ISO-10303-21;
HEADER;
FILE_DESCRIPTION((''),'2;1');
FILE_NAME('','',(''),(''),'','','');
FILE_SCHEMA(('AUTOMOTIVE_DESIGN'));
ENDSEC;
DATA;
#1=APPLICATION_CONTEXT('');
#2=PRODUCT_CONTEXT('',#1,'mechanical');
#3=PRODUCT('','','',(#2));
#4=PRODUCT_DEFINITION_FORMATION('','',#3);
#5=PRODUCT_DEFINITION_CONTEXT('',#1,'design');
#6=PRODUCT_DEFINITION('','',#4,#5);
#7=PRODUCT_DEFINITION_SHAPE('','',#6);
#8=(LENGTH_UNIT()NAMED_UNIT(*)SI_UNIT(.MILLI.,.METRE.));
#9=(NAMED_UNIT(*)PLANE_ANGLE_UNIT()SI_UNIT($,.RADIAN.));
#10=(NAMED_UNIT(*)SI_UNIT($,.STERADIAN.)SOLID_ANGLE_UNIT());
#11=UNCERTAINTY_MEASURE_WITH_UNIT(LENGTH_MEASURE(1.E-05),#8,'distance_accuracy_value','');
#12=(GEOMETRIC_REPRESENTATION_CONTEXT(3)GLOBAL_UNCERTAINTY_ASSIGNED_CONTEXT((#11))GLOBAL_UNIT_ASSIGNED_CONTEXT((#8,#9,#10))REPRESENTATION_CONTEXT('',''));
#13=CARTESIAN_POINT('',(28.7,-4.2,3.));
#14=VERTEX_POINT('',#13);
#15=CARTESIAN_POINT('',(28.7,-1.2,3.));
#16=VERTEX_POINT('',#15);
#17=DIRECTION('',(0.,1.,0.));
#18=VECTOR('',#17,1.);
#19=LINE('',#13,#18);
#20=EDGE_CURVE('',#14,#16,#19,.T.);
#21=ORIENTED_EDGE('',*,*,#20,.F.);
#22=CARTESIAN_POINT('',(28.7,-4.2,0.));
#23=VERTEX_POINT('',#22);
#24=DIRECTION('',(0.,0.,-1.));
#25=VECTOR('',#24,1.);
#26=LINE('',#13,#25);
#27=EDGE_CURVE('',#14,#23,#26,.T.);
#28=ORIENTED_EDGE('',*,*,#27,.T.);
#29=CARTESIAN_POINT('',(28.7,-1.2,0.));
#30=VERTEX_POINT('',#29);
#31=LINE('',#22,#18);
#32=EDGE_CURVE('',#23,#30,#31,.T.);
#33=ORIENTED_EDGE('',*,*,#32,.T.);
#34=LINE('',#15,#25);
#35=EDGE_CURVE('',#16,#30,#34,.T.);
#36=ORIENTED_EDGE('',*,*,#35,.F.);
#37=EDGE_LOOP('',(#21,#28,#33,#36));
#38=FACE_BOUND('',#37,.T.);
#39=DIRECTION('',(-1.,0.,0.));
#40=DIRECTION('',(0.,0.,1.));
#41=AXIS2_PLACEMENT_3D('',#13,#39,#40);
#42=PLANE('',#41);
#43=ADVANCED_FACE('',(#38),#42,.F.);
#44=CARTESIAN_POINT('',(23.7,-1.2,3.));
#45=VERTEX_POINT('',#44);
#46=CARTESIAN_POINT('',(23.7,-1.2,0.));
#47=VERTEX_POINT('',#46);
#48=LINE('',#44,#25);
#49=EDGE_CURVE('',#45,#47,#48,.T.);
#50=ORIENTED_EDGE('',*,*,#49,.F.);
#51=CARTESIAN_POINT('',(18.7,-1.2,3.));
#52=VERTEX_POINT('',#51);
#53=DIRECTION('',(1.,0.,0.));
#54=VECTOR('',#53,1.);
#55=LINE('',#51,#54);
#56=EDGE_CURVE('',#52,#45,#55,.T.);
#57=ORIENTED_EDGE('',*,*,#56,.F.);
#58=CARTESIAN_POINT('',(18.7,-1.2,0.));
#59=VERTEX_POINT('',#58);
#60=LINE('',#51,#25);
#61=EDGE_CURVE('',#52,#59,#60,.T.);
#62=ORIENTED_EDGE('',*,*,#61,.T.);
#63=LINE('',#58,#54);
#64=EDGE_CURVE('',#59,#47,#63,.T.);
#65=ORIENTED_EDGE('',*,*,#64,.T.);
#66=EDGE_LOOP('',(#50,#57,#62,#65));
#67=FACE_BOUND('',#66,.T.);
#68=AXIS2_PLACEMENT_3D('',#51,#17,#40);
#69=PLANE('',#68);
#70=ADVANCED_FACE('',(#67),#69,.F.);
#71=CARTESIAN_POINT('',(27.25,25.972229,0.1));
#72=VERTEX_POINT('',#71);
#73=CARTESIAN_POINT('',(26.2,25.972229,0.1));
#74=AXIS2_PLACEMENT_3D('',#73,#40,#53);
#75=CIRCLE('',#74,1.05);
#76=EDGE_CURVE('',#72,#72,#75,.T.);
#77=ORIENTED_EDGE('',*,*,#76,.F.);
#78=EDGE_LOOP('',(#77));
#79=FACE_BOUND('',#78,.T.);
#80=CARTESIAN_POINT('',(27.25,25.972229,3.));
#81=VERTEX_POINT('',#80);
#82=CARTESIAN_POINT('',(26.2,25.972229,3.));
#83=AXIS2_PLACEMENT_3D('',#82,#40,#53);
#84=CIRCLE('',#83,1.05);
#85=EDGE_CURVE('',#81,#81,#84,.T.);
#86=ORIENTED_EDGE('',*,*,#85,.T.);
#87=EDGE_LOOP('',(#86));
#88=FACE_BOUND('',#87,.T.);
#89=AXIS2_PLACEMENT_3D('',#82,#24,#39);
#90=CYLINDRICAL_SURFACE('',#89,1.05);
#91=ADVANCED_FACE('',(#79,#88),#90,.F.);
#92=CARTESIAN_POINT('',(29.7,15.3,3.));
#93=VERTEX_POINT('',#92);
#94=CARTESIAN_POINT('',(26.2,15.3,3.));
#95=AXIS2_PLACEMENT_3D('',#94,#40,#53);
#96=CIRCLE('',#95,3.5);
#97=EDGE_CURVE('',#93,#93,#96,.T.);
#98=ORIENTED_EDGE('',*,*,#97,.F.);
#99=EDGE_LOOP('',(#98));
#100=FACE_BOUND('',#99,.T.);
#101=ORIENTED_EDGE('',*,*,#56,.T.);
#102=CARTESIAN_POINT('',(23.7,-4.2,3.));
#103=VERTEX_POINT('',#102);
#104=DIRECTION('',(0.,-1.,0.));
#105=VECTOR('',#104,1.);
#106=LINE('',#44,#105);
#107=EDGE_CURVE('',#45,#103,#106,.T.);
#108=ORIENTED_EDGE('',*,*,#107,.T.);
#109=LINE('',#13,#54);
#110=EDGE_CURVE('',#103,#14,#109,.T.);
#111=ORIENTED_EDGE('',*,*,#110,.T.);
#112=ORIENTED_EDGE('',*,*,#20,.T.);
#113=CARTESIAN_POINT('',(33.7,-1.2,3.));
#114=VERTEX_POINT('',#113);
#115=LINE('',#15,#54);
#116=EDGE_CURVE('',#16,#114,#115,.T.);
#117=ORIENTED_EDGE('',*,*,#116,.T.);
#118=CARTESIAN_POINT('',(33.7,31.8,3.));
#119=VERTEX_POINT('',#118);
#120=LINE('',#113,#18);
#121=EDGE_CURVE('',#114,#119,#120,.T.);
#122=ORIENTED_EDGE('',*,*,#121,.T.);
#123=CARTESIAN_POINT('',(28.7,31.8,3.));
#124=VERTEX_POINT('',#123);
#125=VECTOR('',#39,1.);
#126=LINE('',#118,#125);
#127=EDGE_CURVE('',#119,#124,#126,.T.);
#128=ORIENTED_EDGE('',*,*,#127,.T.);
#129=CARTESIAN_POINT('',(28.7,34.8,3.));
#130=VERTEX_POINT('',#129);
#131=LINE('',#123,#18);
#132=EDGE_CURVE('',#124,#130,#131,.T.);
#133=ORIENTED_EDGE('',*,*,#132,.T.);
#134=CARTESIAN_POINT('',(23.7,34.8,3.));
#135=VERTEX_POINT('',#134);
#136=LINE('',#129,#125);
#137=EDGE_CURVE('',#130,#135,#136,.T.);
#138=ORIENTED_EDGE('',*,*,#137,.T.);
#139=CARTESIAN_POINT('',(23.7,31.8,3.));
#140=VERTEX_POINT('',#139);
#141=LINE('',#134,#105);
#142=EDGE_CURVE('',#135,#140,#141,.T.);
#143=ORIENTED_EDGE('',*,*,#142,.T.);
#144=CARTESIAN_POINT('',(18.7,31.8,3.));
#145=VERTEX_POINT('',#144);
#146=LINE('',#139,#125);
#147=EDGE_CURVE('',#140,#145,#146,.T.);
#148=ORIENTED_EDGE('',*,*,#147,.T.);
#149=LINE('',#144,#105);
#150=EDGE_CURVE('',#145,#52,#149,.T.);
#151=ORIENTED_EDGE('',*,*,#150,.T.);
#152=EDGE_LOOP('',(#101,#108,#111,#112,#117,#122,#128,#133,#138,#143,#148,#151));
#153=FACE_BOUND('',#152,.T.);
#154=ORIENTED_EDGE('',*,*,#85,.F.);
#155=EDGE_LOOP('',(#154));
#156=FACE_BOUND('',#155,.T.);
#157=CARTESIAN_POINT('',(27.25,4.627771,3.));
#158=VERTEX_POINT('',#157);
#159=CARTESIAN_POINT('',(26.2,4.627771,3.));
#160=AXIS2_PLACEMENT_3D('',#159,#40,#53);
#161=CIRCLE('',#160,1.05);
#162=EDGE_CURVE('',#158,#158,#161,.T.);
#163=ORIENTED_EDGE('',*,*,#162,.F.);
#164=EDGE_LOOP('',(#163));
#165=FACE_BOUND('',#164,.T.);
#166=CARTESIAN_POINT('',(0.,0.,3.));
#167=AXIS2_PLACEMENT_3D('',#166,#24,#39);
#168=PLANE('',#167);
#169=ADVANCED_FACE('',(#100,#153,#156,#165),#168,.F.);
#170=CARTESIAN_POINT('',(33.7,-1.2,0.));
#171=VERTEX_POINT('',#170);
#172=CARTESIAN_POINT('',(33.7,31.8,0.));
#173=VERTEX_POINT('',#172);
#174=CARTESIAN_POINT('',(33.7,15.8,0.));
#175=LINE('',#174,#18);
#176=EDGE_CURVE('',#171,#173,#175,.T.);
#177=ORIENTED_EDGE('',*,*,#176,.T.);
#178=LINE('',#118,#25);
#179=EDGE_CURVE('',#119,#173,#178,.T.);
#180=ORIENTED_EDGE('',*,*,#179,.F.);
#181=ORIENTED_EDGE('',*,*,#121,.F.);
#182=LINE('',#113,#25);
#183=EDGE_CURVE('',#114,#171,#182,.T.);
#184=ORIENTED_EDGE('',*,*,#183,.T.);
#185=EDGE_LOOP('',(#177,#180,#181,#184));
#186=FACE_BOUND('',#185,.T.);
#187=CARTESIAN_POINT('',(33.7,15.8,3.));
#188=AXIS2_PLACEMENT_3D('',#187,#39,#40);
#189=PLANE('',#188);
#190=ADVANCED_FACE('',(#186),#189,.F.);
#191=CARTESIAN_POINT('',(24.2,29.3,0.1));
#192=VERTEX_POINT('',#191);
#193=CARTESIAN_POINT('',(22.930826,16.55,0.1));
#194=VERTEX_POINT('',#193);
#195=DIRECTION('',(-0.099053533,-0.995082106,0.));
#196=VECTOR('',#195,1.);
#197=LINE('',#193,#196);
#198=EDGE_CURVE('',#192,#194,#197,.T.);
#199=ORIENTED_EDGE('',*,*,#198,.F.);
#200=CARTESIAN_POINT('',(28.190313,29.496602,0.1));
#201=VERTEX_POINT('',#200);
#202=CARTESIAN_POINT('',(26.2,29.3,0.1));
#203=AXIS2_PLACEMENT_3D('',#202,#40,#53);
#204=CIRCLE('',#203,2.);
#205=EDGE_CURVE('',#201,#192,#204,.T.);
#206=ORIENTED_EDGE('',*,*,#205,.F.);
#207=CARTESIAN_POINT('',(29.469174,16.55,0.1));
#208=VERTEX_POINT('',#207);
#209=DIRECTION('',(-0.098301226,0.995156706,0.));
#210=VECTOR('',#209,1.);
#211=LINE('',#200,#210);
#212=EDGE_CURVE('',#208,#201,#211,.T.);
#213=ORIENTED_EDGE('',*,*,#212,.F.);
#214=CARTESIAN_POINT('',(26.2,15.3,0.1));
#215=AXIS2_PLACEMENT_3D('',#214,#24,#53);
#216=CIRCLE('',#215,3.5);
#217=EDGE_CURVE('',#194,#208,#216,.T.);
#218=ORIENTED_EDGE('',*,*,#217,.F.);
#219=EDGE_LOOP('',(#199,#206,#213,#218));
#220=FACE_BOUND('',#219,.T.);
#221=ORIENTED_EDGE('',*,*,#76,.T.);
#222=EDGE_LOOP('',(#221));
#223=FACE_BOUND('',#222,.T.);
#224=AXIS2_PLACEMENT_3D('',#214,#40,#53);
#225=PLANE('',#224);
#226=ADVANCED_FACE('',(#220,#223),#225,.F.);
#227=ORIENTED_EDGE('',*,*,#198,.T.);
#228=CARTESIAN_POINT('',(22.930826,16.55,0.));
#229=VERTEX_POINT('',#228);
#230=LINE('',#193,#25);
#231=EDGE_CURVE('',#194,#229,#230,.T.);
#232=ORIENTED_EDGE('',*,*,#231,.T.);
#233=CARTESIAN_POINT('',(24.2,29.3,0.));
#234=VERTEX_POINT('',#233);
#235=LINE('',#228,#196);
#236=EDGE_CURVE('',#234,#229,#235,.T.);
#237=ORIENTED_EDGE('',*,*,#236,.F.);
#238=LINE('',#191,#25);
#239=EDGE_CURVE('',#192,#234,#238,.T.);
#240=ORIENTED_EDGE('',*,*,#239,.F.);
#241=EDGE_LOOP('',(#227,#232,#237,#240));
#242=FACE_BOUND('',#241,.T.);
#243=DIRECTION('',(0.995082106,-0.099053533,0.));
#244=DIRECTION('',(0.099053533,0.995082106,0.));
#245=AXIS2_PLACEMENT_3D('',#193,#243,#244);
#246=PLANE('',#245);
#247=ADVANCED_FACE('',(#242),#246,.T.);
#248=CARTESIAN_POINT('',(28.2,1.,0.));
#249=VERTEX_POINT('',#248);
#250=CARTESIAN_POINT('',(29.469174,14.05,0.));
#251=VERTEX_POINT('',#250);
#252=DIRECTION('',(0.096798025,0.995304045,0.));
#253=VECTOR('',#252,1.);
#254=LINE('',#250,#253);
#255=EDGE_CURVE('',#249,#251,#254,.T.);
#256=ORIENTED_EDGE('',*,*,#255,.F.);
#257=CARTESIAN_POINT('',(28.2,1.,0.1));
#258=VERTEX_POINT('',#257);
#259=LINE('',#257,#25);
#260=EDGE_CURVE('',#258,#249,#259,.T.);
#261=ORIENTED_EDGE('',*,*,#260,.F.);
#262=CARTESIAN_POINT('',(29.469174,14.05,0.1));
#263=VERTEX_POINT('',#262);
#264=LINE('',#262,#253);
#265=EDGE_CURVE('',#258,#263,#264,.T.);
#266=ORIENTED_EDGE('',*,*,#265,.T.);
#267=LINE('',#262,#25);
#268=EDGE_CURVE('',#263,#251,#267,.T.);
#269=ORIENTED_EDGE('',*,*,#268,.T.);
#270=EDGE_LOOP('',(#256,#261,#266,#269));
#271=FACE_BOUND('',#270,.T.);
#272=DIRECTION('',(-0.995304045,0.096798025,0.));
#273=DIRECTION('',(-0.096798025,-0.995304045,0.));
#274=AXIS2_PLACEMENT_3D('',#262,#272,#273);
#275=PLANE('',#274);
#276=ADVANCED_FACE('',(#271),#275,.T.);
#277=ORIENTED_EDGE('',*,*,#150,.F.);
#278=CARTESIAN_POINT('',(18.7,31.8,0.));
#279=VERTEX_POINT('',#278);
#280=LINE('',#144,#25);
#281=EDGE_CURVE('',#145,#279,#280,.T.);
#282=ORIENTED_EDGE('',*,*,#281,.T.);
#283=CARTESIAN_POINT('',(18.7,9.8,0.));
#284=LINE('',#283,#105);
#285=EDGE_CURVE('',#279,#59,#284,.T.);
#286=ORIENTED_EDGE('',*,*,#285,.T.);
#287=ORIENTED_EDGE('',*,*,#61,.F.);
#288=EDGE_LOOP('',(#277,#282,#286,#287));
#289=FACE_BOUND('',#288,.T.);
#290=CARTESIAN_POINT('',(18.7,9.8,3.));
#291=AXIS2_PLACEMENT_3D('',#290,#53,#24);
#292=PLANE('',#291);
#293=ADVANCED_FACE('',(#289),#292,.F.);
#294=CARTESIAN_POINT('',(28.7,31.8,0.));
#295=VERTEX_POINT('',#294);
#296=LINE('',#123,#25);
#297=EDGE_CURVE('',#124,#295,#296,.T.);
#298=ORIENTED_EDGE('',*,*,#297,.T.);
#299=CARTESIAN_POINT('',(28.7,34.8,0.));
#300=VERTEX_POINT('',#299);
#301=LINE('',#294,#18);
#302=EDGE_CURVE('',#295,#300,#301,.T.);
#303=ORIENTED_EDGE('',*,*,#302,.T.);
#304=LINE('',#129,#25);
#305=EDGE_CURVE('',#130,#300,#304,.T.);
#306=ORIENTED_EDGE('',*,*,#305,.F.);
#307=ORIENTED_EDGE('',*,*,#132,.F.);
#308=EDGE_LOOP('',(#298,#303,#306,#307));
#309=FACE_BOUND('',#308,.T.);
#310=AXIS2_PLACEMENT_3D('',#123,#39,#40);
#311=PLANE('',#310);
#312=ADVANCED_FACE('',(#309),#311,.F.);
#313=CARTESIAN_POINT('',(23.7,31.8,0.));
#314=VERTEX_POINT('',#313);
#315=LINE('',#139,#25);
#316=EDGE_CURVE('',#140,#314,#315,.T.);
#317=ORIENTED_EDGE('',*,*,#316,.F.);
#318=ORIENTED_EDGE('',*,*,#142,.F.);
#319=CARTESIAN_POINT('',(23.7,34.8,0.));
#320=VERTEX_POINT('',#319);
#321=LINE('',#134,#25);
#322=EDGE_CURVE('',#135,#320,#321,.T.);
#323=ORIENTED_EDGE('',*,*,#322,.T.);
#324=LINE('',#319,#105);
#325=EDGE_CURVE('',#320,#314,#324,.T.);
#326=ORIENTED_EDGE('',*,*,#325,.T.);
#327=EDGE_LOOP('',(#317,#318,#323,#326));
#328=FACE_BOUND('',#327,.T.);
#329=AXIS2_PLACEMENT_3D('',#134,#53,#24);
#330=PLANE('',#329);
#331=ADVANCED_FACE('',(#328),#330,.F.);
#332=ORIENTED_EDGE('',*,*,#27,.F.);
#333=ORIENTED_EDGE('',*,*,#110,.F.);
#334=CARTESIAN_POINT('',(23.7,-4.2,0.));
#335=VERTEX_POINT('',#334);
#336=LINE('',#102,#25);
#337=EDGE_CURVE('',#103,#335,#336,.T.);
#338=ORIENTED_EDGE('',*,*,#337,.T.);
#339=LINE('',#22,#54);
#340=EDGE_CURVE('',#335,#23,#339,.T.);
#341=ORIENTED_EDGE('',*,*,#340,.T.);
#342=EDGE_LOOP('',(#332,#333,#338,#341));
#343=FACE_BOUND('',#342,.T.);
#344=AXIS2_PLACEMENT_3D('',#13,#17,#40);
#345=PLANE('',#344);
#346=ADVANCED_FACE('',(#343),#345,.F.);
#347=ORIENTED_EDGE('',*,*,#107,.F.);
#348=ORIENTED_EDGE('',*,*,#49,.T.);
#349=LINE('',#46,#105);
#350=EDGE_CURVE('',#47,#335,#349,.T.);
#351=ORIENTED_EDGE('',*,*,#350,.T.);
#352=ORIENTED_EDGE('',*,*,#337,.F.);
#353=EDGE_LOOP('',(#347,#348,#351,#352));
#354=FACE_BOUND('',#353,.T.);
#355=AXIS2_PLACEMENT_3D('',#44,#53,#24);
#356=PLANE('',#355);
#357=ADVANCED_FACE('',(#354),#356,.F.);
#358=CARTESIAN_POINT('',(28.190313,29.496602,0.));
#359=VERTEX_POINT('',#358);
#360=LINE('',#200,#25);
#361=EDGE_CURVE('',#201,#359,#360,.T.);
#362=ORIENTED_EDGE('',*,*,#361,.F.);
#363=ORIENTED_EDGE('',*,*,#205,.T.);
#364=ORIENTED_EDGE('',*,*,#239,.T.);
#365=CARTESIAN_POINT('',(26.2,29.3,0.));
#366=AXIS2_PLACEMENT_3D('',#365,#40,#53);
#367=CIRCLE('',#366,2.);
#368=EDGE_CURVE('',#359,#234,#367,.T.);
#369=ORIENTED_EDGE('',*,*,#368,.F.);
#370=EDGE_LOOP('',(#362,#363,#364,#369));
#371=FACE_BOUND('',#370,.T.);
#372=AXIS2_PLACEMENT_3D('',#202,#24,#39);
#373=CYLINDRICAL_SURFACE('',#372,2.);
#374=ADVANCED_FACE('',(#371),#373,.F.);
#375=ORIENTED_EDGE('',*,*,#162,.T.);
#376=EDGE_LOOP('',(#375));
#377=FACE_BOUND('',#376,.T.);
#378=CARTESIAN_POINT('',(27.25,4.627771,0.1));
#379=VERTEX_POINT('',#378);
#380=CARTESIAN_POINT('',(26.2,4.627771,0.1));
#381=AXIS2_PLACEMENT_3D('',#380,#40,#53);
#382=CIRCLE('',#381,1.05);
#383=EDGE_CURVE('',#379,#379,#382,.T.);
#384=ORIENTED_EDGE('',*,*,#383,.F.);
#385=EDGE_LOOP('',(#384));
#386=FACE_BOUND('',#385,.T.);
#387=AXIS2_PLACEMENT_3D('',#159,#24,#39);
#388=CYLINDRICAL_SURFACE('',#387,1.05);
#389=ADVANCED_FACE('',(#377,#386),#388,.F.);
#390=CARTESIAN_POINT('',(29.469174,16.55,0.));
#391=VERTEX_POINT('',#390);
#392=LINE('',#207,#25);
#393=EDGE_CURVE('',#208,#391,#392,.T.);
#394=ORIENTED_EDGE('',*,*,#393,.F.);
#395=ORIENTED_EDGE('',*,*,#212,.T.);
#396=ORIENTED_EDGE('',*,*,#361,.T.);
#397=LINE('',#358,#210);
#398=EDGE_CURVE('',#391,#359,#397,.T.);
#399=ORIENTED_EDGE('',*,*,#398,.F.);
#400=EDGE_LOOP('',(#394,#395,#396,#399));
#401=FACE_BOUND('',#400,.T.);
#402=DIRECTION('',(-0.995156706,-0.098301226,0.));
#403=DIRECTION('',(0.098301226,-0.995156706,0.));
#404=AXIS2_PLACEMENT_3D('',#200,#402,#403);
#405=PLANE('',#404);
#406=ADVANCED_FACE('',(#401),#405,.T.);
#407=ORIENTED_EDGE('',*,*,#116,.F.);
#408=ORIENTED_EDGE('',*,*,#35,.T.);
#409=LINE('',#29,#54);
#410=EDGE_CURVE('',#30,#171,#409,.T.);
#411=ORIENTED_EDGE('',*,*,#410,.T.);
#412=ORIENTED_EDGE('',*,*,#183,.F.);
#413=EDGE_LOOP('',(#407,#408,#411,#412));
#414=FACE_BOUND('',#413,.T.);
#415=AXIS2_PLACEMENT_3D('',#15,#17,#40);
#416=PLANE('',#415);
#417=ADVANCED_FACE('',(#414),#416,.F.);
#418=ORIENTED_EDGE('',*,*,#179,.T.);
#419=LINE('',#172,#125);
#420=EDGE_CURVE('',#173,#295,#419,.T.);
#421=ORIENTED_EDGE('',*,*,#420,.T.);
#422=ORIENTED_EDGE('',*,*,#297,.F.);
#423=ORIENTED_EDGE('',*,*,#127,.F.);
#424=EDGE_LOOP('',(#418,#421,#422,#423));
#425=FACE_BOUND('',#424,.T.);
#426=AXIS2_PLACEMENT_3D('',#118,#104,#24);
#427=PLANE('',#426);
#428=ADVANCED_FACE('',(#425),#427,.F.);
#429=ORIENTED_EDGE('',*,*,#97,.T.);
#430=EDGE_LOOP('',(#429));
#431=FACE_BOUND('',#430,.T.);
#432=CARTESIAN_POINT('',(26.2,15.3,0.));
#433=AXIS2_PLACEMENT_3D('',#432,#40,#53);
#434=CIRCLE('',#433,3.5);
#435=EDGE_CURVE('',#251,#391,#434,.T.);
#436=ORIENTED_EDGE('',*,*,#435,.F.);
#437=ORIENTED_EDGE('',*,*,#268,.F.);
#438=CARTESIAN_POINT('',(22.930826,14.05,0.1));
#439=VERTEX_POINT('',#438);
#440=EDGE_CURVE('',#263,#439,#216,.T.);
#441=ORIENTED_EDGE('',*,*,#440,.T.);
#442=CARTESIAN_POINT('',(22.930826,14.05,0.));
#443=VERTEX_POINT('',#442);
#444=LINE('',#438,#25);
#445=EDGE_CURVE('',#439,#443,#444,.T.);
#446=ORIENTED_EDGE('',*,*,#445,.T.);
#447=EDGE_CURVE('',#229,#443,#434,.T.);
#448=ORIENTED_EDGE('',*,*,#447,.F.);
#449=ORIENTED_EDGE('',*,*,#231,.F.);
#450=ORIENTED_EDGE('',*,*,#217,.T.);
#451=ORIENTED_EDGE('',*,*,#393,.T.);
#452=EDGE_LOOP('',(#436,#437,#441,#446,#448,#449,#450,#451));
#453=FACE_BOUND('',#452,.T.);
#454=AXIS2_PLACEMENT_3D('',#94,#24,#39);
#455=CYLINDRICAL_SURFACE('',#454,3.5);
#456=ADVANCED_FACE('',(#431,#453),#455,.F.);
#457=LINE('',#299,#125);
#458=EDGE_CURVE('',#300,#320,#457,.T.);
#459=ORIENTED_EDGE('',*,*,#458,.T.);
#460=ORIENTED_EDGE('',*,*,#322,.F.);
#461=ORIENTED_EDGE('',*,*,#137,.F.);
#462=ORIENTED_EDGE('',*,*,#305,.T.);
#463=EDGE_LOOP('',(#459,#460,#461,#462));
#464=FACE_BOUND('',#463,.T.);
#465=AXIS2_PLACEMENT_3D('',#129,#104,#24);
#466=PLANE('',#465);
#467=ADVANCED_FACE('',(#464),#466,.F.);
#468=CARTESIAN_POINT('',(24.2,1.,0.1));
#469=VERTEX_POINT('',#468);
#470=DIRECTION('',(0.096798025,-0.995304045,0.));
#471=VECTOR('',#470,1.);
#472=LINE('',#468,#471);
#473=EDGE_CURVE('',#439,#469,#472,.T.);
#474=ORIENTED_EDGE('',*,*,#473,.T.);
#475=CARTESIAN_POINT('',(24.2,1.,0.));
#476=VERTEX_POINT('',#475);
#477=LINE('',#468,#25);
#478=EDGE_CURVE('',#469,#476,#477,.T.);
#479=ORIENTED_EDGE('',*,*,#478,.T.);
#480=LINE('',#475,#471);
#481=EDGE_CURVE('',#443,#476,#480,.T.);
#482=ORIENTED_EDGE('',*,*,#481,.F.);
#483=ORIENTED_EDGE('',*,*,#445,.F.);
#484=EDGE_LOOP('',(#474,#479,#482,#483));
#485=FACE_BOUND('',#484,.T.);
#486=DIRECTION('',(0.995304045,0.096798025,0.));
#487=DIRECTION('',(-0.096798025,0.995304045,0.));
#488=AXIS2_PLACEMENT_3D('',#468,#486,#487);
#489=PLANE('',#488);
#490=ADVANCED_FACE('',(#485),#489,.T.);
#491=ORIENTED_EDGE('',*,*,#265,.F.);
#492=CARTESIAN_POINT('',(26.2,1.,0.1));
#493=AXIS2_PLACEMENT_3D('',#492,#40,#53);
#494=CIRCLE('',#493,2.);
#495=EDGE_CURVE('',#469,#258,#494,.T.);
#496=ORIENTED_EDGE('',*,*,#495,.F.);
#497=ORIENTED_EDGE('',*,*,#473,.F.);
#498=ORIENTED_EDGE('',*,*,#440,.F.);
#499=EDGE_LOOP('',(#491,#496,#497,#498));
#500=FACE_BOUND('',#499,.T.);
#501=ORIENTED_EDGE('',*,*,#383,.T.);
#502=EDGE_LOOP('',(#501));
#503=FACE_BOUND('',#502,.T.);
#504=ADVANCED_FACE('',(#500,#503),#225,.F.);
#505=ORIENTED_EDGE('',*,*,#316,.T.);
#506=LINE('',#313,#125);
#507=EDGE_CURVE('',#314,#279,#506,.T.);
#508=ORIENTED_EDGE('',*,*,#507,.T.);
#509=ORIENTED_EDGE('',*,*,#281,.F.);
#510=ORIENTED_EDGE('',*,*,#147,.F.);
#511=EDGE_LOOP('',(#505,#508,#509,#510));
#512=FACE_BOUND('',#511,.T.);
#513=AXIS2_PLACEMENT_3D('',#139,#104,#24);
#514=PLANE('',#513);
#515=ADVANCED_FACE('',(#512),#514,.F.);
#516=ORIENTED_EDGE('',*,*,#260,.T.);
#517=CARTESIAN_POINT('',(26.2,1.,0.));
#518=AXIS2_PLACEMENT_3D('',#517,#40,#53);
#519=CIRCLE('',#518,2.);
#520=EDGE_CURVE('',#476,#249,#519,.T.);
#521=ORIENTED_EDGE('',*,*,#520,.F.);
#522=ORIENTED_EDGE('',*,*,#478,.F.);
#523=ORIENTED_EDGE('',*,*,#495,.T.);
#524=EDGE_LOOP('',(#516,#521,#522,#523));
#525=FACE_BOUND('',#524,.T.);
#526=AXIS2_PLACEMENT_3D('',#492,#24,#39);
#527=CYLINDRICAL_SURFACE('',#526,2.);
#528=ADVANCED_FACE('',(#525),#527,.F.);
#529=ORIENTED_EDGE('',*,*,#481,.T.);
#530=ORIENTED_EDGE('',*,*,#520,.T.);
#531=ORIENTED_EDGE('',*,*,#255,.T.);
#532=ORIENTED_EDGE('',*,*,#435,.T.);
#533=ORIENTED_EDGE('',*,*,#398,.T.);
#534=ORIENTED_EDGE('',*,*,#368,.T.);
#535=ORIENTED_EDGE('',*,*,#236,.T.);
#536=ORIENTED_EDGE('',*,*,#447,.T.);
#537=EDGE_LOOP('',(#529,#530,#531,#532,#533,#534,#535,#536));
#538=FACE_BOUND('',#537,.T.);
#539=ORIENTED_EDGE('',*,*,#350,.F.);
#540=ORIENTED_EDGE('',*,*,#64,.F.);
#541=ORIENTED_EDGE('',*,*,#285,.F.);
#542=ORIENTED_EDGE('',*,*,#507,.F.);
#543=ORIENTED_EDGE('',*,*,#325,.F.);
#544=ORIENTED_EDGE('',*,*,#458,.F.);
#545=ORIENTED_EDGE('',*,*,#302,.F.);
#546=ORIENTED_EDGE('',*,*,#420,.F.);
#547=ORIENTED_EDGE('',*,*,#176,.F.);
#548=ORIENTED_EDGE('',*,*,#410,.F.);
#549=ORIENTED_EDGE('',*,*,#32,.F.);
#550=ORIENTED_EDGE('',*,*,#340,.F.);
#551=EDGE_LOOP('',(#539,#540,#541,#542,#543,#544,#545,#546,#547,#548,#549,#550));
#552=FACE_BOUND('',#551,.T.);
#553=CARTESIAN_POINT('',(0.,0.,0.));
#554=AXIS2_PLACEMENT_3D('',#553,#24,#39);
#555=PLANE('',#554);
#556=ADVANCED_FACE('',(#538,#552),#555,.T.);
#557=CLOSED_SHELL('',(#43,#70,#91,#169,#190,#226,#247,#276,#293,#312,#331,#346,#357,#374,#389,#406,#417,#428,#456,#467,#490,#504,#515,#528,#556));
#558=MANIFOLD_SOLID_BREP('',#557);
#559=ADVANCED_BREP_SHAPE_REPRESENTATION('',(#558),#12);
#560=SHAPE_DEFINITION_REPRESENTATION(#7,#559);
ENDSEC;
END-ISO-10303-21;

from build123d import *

# Parameters (mm, degrees)
CORTE_EXTERIOR_R        = 1.05
CORTE_EXTERIOR_R_2      = 3.5
SALIENTE_EXTRUIR1_DEPTH = 3
CORTAR_EXTRUIR1_DEPTH   = 0.1


with BuildPart() as part:
    # Corte exterior → Saliente-Extruir1 (new body)
    with BuildSketch(Plane.XY):
        Polygon((28.7, -4.2), (23.7, -4.2), (23.7, -1.2), (18.7, -1.2), (18.7, 9.8), (18.7, 31.8), (23.7, 31.8), (23.7, 34.8), (28.7, 34.8), (28.7, 31.8), (33.7, 31.8), (33.7, 15.8), (33.7, -1.2), (28.7, -1.2), align=None)
        with Locations((26.2, 25.972229454)):
            Circle(CORTE_EXTERIOR_R, mode=Mode.SUBTRACT)
        with Locations((26.2, 4.627770547)):
            Circle(CORTE_EXTERIOR_R, mode=Mode.SUBTRACT)
        with Locations((26.2, 15.3)):
            Circle(CORTE_EXTERIOR_R_2, mode=Mode.SUBTRACT)
    extrude(amount=SALIENTE_EXTRUIR1_DEPTH)

    # Grabado Superficie → Cortar-Extruir1 (cut)
    with BuildSketch(Plane.XY):
        with BuildLine():
            Line((22.930825792, 16.55), (24.2, 29.3))
            ThreePointArc((24.2, 29.3), (26.101579532, 31.297576885), (28.190313411, 29.496602453))
            Line((28.190313411, 29.496602453), (29.469174208, 16.55))
            ThreePointArc((29.469174208, 16.55), (26.2, 18.8), (22.930825792, 16.55))
        make_face()
        with BuildLine():
            Line((29.469174208, 14.05), (28.2, 1))
            ThreePointArc((28.2, 1), (26.2, -1), (24.2, 1))
            Line((24.2, 1), (22.930825792, 14.05))
            ThreePointArc((22.930825792, 14.05), (26.2, 11.8), (29.469174208, 14.05))
        make_face()
    extrude(amount=CORTAR_EXTRUIR1_DEPTH, mode=Mode.SUBTRACT)


solid = part.part
